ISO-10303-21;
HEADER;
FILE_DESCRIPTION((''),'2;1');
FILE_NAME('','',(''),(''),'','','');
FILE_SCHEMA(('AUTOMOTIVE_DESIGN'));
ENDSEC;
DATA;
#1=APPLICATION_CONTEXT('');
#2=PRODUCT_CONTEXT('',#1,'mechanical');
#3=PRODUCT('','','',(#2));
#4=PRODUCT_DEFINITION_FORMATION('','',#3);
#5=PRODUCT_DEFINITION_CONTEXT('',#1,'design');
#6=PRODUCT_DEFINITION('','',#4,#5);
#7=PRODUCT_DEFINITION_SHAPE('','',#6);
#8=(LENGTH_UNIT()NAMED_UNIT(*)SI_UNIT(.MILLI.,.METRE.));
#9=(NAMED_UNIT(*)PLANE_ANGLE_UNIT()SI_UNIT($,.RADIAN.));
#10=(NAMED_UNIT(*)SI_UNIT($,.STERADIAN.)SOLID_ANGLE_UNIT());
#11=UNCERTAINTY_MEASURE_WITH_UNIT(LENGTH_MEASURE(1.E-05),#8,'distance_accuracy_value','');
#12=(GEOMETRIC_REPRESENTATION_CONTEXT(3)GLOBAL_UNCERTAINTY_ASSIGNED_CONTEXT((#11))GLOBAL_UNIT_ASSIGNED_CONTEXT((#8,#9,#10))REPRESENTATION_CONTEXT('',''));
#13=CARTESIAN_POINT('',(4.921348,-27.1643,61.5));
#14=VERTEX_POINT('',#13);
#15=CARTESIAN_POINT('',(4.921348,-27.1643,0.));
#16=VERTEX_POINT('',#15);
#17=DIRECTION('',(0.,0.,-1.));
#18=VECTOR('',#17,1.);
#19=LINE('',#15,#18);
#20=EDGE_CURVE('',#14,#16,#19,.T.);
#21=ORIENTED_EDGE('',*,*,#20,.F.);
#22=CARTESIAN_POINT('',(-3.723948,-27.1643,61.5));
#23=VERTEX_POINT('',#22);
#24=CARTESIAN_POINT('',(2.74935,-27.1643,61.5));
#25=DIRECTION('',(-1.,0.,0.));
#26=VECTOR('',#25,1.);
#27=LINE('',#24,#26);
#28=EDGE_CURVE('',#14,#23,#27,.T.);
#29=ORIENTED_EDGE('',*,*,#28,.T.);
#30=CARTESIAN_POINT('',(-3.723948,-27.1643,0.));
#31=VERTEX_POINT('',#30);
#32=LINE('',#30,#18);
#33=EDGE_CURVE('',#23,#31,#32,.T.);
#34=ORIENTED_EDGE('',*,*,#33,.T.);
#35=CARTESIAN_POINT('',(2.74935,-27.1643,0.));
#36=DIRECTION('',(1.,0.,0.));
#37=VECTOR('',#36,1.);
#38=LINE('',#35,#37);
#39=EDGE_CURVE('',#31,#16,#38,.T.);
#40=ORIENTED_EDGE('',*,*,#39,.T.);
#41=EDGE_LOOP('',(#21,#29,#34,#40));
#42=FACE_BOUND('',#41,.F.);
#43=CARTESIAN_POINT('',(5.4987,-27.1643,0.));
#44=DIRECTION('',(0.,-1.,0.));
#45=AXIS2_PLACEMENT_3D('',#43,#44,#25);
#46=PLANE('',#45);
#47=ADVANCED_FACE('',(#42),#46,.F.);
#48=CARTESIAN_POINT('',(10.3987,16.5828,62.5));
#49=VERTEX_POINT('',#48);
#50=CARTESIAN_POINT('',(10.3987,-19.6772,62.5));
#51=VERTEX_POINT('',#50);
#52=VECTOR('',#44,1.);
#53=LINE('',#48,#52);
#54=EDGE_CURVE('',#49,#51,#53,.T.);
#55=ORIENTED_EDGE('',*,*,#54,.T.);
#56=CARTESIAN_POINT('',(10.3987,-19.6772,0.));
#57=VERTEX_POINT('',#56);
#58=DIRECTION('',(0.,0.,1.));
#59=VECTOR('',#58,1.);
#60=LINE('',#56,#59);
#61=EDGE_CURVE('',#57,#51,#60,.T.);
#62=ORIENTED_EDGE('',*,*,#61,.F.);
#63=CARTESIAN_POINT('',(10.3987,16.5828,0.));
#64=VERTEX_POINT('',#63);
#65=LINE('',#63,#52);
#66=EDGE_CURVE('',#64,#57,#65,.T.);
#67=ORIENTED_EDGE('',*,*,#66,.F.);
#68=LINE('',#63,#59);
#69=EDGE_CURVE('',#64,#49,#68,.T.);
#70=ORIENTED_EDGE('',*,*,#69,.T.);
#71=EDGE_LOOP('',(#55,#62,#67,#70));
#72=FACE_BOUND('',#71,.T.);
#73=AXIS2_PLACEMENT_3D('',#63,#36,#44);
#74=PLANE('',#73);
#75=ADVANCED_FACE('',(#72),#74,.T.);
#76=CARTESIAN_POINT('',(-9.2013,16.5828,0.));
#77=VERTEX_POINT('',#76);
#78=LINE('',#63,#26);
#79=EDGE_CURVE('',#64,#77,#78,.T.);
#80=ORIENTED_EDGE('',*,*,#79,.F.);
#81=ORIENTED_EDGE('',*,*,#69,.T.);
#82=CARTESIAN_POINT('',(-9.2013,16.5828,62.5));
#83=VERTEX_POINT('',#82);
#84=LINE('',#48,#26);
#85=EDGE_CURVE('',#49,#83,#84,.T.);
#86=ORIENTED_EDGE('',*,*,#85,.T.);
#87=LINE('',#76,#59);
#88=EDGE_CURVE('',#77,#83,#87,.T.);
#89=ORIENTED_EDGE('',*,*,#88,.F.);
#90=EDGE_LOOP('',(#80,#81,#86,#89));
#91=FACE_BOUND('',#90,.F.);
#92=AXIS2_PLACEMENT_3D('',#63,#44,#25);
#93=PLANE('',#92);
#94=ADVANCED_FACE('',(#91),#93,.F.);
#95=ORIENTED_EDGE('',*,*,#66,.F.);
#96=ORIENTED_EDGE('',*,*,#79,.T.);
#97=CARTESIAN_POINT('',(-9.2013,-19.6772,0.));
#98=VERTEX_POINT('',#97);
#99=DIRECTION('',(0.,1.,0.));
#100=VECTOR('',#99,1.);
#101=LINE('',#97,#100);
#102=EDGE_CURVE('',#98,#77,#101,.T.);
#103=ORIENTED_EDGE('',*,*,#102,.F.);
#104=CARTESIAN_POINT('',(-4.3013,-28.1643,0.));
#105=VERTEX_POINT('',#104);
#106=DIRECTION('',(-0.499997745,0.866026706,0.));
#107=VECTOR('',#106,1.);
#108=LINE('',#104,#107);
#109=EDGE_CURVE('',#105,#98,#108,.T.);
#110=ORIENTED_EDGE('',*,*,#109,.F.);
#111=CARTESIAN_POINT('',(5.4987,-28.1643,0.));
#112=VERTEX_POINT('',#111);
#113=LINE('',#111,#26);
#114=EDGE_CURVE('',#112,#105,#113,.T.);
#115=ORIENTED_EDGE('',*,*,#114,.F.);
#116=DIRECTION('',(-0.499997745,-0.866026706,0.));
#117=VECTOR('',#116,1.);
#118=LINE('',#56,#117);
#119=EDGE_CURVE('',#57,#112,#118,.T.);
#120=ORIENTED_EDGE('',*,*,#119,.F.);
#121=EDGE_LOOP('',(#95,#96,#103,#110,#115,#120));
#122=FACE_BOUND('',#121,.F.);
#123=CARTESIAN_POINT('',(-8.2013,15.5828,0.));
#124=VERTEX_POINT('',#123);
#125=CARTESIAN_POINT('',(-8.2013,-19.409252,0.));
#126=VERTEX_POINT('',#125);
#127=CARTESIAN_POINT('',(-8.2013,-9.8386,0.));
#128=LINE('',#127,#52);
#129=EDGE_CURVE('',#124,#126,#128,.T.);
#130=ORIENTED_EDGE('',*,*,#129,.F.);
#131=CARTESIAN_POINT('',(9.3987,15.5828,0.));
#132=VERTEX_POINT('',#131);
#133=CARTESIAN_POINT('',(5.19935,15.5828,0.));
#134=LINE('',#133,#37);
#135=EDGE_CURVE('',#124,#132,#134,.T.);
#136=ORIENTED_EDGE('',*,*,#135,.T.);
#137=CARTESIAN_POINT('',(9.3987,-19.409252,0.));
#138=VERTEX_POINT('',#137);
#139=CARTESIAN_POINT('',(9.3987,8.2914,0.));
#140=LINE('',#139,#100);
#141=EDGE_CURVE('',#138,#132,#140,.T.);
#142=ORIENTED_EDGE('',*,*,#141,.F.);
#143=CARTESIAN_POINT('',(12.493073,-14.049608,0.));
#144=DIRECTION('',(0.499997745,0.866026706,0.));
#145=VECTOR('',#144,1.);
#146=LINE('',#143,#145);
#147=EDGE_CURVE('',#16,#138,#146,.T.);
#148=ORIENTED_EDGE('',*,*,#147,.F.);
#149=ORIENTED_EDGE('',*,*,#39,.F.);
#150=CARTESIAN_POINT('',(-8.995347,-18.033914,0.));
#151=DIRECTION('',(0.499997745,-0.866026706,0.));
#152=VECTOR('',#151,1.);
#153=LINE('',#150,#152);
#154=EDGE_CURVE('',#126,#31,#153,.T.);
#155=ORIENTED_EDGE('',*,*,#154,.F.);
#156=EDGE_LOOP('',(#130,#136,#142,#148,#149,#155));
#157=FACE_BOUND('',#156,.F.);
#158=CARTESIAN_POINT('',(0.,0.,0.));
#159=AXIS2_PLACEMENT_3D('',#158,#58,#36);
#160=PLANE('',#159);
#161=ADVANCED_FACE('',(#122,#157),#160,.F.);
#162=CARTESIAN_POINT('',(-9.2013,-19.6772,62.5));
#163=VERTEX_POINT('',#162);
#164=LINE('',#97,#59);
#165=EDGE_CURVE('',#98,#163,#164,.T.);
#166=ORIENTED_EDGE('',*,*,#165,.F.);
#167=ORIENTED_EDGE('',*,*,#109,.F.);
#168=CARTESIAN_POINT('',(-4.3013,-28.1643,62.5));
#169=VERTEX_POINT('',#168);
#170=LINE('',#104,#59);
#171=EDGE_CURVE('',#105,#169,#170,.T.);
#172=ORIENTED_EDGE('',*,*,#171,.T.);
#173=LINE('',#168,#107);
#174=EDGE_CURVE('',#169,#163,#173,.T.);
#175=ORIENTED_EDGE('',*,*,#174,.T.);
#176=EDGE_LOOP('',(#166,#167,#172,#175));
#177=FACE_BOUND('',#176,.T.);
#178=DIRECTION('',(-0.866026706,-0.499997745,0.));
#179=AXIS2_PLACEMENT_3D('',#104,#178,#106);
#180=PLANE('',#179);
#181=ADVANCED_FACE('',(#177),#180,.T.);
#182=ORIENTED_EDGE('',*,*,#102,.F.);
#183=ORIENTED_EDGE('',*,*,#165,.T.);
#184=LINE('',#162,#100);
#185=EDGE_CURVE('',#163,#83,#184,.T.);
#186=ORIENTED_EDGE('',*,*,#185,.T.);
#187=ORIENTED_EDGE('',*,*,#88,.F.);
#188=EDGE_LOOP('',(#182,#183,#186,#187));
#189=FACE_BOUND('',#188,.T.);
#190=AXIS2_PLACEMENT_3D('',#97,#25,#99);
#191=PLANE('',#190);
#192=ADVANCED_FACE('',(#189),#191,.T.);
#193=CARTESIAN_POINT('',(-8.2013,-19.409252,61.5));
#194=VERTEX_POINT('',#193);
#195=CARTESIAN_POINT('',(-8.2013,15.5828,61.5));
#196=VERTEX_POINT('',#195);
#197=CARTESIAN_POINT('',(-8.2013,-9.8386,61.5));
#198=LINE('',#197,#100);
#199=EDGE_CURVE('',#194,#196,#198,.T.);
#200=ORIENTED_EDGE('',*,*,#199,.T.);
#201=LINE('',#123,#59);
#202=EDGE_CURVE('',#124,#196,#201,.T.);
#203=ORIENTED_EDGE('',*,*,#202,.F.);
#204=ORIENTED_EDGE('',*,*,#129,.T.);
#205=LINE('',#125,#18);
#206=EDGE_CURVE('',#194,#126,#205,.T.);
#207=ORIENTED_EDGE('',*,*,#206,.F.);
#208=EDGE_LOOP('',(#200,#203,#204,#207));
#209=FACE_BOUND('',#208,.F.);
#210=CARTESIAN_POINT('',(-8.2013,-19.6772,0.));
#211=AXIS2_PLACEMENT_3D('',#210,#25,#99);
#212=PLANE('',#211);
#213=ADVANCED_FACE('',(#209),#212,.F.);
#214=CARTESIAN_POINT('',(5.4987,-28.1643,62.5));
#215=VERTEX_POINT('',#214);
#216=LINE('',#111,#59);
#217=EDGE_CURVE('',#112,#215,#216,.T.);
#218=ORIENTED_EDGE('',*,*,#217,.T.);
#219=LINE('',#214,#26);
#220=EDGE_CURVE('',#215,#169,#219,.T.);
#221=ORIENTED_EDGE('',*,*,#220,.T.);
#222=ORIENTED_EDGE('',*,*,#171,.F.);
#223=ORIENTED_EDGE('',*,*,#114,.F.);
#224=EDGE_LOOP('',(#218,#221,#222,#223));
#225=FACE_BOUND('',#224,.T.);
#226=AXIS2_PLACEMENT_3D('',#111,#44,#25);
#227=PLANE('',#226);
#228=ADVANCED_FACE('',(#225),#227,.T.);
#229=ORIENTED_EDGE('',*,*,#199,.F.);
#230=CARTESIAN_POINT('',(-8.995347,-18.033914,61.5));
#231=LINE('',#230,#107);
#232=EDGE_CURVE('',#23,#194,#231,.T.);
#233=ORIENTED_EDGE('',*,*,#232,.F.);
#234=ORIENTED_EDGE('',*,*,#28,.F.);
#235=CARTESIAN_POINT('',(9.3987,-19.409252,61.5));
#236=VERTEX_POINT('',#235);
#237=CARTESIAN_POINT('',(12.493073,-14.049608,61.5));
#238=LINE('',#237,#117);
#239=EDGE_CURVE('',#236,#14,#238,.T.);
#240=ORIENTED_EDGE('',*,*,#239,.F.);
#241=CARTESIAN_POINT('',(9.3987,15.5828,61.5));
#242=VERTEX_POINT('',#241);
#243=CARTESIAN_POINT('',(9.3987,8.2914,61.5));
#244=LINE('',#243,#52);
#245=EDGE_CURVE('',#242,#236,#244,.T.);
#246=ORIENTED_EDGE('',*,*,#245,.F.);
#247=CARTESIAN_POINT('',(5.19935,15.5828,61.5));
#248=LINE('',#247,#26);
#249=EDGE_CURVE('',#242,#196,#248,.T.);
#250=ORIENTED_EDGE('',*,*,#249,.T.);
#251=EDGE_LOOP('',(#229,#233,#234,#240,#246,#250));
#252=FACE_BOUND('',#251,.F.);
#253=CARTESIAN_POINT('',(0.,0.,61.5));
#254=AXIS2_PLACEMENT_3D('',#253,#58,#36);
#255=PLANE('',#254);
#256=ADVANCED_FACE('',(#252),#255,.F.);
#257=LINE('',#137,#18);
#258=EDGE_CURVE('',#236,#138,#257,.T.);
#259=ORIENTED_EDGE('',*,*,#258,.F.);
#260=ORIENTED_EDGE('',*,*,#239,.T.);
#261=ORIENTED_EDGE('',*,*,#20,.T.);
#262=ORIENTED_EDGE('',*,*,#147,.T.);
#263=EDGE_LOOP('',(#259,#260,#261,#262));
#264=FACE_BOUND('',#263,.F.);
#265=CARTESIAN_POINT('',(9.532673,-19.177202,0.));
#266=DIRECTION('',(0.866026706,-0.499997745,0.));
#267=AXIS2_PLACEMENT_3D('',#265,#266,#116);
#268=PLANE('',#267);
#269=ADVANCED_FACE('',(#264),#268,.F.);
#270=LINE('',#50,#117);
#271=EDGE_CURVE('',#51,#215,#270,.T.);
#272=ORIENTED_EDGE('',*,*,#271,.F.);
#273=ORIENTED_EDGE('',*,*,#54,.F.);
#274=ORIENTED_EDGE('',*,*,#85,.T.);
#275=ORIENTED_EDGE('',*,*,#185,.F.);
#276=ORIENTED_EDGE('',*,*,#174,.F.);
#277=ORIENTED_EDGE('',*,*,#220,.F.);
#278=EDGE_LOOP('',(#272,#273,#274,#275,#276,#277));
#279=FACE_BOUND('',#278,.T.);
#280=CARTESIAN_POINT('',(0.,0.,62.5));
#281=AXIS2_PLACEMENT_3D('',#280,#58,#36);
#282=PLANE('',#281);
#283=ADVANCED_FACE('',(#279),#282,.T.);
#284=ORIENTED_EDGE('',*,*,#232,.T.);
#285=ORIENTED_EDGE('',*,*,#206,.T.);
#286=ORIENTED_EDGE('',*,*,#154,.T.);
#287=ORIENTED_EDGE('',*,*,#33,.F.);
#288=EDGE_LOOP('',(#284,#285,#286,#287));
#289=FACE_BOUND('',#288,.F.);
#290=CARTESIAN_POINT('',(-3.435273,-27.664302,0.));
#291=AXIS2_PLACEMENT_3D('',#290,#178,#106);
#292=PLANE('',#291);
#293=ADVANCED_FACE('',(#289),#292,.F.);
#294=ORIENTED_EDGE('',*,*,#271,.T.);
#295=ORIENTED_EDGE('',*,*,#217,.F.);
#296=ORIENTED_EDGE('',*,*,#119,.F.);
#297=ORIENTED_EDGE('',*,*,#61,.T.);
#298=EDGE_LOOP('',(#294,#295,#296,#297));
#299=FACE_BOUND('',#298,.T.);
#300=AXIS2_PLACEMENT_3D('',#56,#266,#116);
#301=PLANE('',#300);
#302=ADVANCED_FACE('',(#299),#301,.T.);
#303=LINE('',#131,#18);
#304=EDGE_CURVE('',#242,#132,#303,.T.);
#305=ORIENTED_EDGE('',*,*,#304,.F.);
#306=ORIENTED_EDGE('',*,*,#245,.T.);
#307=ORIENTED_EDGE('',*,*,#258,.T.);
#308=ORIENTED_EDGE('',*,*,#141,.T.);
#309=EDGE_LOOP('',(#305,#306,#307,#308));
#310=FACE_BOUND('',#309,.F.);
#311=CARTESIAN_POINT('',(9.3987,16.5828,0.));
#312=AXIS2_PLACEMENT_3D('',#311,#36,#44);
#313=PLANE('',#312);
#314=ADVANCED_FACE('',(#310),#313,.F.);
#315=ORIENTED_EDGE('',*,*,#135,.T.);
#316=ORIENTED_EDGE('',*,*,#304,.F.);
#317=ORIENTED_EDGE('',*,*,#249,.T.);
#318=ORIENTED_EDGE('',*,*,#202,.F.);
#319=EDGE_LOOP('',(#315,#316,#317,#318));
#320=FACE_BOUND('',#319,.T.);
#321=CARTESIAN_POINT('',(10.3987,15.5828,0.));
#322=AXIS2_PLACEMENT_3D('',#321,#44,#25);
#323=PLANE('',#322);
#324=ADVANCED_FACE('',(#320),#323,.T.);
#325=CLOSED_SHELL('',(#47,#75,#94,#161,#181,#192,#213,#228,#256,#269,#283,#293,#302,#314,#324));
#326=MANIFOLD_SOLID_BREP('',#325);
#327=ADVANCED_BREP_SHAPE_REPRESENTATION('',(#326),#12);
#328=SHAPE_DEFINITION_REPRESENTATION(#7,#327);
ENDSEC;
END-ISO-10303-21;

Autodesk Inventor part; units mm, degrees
ref_plane "YZ Plane" through (0, 0, 0) normal (1, 0, 0) x (0, 1, 0)
ref_plane "XZ Plane" through (0, 0, 0) normal (0, 1, 0) x (-1, 0, 0)
ref_plane "XY Plane" through (0, 0, 0) normal (0, 0, 1) x (1, 0, 0)
sketch "Boceto1" plane through (0, 0, 0) normal (0, 0, 1) x (1, 0, 0)
  line L0 (10.3987, 16.5828) -> (-9.2013, 16.5828)
  line L1 (-9.2013, -19.6772) -> (-9.2013, 16.5828)
  line L2 (-4.3013, -28.1643) -> (-9.2013, -19.6772)
  line L3 (5.4987, -28.1643) -> (-4.3013, -28.1643)
  line L4 (10.3987, -19.6772) -> (5.4987, -28.1643)
  line L5 (10.3987, 16.5828) -> (10.3987, -19.6772)
extrude "Extrusión1" add sketch "Boceto1" along normal blind 62.5
shell "Vaciado1" thickness 1 removed faces 1 at (-2.668, -7.5906, 0)
equation "\"Radio_pliegue\" = Grosor"
equation "\"Anchura_desahogo_plegado\" = Grosor"
equation "\"Profundidad_desahogo_plegado\" = 0.5 * Grosor"
equation "\"Tamaño_destalonado\" = 4 * Grosor"
equation "\"Remanente_mínimo\" = 2 * Grosor"
equation "\"Radiodetransición\" = Radio_pliegue"
equation "\"Tamaño_de_radio_de_Jacobi\" = Radio_pliegue"
equation "\"TamañoSeparación\" = Grosor"
equation "\"Grosor\" = 0.5"
properties part number "interior case"
